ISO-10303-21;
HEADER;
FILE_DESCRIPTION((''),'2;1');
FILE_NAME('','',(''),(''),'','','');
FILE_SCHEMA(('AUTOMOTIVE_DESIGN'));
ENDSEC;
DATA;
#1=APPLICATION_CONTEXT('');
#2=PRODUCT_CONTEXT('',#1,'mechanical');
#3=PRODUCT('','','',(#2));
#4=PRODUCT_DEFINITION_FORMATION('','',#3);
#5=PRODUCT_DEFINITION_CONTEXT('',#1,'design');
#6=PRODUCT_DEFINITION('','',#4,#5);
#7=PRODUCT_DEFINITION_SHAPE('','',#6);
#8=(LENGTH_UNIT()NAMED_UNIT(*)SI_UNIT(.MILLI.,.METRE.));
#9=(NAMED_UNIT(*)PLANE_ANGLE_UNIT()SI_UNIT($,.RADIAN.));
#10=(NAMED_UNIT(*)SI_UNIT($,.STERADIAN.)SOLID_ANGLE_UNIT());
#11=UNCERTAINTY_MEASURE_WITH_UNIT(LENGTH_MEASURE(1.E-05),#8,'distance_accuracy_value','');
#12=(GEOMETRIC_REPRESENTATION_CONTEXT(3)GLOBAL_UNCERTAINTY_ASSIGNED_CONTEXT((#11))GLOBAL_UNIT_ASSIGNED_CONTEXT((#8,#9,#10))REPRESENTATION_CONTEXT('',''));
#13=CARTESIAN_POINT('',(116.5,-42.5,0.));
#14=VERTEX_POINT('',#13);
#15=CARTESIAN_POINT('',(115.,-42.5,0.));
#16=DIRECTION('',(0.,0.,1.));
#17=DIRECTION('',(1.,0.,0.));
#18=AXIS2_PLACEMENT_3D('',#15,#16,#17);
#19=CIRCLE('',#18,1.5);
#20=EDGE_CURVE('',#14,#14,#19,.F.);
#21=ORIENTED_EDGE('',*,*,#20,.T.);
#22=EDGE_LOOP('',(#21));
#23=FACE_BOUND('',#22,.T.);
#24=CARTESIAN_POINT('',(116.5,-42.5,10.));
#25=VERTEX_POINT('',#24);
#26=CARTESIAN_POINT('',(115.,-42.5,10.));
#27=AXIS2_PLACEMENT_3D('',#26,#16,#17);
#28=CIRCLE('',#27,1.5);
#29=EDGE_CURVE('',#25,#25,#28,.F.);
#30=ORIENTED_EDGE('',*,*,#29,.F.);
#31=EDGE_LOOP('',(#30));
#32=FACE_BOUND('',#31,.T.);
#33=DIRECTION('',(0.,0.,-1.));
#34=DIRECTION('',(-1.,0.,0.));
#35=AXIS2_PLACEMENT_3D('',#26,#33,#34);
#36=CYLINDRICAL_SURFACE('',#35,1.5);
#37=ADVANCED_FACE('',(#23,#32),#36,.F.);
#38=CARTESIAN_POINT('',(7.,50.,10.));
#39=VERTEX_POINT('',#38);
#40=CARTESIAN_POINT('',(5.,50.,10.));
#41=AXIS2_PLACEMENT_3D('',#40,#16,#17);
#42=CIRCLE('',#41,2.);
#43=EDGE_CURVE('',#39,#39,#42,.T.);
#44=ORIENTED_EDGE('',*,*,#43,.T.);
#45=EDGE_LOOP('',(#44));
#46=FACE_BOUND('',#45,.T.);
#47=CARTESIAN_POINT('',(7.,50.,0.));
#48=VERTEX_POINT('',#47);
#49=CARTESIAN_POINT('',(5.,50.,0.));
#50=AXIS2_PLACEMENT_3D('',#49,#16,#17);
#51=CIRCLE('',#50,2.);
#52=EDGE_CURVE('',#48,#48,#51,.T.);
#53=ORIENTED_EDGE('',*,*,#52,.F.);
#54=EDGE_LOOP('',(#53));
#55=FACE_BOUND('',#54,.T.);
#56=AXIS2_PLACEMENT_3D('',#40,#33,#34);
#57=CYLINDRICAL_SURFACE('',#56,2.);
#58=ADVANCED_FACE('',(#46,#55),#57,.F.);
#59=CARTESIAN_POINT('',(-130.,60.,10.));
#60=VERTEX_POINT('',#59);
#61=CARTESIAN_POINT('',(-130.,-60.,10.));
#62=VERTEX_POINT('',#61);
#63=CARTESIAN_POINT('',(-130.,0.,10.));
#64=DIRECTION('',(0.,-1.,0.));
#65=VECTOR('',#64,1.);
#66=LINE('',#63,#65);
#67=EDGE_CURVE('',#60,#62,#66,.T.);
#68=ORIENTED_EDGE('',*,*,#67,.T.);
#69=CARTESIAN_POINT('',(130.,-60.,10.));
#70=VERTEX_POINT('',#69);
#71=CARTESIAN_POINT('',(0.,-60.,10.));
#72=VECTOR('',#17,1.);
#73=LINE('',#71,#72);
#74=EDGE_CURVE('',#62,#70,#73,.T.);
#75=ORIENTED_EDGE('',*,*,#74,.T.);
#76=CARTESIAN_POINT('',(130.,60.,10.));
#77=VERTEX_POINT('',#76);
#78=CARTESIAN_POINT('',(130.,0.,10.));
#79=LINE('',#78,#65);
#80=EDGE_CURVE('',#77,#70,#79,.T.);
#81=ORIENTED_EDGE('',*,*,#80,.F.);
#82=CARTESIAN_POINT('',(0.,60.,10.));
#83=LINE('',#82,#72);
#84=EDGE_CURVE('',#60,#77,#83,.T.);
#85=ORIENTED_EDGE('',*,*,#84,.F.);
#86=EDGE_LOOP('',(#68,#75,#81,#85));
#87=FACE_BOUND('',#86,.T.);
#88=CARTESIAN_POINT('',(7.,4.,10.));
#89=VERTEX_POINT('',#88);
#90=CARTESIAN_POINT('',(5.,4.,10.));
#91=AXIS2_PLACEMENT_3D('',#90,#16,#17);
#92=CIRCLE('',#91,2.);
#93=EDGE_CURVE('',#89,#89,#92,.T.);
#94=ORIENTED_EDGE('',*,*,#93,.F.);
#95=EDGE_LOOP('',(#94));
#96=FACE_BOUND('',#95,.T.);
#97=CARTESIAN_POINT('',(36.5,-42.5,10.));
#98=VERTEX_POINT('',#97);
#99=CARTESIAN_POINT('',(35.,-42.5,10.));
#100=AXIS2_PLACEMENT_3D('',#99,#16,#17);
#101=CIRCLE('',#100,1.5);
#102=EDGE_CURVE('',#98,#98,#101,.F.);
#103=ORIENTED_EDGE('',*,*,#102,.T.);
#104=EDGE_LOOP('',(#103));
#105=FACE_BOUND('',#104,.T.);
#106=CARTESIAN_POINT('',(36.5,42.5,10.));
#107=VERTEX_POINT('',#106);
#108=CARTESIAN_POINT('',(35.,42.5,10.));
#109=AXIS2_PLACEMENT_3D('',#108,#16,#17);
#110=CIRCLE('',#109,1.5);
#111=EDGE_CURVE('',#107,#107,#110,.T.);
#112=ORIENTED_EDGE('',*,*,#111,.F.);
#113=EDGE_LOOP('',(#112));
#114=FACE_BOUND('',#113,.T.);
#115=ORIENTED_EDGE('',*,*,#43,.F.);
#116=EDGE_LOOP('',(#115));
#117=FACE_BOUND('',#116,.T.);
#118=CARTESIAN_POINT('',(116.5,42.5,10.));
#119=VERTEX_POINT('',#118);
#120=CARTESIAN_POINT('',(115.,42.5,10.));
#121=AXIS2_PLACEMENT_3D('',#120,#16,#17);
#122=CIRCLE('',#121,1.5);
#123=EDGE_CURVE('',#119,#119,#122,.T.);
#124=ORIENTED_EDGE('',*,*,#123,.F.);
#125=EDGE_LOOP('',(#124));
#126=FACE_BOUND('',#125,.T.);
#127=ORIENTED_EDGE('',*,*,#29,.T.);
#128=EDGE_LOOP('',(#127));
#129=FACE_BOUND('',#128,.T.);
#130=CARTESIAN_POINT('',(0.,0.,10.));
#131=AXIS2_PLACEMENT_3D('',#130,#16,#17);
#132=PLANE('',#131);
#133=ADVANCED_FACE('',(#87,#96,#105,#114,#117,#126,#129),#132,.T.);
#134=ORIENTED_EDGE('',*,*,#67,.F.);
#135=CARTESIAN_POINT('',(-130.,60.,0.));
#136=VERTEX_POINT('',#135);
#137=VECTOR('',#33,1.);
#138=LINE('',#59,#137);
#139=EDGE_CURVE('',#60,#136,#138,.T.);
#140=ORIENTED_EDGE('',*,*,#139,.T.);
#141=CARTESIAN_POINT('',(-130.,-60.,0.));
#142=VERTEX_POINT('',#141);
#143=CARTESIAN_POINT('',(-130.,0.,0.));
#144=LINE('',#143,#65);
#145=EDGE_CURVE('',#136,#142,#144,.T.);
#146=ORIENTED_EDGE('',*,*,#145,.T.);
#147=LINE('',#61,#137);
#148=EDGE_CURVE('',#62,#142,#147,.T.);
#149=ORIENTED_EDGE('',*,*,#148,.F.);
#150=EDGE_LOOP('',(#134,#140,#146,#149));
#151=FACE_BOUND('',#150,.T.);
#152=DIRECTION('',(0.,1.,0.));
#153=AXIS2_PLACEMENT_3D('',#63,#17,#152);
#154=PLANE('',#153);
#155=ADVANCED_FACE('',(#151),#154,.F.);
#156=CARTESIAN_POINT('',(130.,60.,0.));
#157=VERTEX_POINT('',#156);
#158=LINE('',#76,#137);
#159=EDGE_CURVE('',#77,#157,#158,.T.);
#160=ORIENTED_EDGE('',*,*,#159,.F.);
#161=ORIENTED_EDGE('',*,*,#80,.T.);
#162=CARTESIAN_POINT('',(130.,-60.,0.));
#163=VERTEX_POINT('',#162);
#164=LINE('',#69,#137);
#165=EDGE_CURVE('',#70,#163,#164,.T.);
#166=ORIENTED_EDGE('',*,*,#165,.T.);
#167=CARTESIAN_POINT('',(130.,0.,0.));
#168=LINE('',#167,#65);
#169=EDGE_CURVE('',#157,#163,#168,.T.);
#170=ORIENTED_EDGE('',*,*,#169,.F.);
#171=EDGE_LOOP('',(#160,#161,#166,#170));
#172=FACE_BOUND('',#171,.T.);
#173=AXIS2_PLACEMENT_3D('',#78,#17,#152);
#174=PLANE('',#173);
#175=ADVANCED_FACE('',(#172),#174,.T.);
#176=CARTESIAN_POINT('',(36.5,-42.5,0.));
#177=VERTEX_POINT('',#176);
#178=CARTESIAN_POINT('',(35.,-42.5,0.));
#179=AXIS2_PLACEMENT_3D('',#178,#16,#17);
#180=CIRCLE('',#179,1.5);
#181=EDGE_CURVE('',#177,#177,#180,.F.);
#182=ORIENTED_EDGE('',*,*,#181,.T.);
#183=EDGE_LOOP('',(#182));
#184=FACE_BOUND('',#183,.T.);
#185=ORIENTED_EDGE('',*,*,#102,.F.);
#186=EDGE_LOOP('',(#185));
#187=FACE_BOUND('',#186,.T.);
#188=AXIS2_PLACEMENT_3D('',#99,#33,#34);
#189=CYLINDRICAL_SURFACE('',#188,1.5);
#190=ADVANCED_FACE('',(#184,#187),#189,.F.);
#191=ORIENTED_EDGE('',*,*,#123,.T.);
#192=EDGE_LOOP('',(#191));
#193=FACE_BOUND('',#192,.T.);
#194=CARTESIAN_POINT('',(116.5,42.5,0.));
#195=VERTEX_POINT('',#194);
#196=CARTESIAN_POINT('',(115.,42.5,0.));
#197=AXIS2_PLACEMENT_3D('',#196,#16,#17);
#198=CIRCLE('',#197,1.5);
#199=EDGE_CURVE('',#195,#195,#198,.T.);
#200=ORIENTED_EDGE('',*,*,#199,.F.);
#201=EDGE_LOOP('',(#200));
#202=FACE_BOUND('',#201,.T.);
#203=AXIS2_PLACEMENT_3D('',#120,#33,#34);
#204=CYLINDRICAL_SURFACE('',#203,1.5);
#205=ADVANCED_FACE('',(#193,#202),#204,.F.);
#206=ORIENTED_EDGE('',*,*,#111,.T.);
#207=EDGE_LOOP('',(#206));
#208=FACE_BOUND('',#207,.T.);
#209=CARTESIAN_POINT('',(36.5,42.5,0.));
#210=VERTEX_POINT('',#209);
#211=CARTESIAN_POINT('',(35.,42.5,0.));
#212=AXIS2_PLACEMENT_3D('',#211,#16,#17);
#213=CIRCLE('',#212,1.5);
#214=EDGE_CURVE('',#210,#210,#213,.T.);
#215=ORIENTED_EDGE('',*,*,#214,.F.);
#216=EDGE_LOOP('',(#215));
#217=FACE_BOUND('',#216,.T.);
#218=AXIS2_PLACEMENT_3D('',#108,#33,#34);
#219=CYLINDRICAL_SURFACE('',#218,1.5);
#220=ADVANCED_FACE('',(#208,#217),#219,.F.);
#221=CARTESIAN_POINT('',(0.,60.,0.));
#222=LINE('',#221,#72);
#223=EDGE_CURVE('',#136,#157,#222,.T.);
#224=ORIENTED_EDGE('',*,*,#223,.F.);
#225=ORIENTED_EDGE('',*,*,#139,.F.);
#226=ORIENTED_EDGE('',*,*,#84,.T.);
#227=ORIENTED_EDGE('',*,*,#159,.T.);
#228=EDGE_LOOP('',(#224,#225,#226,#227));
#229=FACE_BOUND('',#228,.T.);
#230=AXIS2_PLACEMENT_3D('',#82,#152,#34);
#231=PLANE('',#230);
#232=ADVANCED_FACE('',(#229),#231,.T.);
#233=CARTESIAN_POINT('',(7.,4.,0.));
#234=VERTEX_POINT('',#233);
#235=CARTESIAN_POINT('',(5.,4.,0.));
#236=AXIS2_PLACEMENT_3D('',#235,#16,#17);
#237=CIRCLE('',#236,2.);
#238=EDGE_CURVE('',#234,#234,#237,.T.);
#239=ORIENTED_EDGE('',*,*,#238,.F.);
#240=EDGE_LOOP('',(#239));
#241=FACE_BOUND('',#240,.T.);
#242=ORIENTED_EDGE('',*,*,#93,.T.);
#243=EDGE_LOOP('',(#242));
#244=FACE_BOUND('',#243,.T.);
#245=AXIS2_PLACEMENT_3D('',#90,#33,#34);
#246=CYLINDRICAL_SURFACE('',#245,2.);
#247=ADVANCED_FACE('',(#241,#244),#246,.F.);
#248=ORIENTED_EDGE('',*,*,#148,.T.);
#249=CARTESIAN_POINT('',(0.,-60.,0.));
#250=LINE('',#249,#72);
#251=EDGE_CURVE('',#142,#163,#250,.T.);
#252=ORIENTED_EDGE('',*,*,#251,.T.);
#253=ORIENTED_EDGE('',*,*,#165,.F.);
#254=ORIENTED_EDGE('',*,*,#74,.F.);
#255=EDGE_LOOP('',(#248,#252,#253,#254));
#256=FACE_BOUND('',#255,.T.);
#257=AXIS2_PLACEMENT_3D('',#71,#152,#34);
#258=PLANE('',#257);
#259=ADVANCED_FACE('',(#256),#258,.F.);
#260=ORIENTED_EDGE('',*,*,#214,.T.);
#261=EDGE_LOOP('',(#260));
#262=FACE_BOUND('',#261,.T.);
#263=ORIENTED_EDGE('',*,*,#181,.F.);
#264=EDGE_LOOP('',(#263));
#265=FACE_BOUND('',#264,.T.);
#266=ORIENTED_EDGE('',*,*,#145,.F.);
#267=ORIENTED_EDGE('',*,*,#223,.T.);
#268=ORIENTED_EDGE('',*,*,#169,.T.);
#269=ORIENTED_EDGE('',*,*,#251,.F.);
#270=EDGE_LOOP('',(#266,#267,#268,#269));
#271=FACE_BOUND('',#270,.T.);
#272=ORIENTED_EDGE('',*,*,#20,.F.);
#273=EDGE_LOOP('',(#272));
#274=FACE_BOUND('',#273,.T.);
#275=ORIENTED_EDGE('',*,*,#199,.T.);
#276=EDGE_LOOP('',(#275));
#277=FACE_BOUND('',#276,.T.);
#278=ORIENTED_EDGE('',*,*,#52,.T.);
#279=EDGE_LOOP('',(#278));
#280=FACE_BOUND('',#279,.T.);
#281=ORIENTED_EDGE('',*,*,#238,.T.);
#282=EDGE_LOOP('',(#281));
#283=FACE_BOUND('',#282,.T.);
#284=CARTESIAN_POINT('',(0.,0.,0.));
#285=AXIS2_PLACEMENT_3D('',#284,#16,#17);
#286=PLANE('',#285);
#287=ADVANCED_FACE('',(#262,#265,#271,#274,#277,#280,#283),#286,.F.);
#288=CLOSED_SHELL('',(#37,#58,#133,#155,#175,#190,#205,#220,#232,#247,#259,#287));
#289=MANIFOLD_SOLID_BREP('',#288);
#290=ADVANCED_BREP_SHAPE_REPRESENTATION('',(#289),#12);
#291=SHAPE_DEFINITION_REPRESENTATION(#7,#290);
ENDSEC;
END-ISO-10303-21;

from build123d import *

# Parameters (mm, degrees)
ESBO_O1_W                = 260
ESBO_O1_H                = 120
ESBO_O1_R                = 1.5
ESBO_O1_R_2              = 2
RESSALTO_EXTRUS_O1_DEPTH = 10


with BuildPart() as part:
    # Esboço1 → Ressalto-extrusão1 (new body)
    with BuildSketch(Plane.XY):
        Rectangle(ESBO_O1_W, ESBO_O1_H)
        with Locations((115, 42.5)):
            Circle(ESBO_O1_R, mode=Mode.SUBTRACT)
        with Locations((115, -42.5)):
            Circle(ESBO_O1_R, mode=Mode.SUBTRACT)
        with Locations((35, -42.5)):
            Circle(ESBO_O1_R, mode=Mode.SUBTRACT)
        with Locations((35, 42.5)):
            Circle(ESBO_O1_R, mode=Mode.SUBTRACT)
        with Locations((5, 50)):
            Circle(ESBO_O1_R_2, mode=Mode.SUBTRACT)
        with Locations((5, 4)):
            Circle(ESBO_O1_R_2, mode=Mode.SUBTRACT)
    extrude(amount=RESSALTO_EXTRUS_O1_DEPTH)


solid = part.part
